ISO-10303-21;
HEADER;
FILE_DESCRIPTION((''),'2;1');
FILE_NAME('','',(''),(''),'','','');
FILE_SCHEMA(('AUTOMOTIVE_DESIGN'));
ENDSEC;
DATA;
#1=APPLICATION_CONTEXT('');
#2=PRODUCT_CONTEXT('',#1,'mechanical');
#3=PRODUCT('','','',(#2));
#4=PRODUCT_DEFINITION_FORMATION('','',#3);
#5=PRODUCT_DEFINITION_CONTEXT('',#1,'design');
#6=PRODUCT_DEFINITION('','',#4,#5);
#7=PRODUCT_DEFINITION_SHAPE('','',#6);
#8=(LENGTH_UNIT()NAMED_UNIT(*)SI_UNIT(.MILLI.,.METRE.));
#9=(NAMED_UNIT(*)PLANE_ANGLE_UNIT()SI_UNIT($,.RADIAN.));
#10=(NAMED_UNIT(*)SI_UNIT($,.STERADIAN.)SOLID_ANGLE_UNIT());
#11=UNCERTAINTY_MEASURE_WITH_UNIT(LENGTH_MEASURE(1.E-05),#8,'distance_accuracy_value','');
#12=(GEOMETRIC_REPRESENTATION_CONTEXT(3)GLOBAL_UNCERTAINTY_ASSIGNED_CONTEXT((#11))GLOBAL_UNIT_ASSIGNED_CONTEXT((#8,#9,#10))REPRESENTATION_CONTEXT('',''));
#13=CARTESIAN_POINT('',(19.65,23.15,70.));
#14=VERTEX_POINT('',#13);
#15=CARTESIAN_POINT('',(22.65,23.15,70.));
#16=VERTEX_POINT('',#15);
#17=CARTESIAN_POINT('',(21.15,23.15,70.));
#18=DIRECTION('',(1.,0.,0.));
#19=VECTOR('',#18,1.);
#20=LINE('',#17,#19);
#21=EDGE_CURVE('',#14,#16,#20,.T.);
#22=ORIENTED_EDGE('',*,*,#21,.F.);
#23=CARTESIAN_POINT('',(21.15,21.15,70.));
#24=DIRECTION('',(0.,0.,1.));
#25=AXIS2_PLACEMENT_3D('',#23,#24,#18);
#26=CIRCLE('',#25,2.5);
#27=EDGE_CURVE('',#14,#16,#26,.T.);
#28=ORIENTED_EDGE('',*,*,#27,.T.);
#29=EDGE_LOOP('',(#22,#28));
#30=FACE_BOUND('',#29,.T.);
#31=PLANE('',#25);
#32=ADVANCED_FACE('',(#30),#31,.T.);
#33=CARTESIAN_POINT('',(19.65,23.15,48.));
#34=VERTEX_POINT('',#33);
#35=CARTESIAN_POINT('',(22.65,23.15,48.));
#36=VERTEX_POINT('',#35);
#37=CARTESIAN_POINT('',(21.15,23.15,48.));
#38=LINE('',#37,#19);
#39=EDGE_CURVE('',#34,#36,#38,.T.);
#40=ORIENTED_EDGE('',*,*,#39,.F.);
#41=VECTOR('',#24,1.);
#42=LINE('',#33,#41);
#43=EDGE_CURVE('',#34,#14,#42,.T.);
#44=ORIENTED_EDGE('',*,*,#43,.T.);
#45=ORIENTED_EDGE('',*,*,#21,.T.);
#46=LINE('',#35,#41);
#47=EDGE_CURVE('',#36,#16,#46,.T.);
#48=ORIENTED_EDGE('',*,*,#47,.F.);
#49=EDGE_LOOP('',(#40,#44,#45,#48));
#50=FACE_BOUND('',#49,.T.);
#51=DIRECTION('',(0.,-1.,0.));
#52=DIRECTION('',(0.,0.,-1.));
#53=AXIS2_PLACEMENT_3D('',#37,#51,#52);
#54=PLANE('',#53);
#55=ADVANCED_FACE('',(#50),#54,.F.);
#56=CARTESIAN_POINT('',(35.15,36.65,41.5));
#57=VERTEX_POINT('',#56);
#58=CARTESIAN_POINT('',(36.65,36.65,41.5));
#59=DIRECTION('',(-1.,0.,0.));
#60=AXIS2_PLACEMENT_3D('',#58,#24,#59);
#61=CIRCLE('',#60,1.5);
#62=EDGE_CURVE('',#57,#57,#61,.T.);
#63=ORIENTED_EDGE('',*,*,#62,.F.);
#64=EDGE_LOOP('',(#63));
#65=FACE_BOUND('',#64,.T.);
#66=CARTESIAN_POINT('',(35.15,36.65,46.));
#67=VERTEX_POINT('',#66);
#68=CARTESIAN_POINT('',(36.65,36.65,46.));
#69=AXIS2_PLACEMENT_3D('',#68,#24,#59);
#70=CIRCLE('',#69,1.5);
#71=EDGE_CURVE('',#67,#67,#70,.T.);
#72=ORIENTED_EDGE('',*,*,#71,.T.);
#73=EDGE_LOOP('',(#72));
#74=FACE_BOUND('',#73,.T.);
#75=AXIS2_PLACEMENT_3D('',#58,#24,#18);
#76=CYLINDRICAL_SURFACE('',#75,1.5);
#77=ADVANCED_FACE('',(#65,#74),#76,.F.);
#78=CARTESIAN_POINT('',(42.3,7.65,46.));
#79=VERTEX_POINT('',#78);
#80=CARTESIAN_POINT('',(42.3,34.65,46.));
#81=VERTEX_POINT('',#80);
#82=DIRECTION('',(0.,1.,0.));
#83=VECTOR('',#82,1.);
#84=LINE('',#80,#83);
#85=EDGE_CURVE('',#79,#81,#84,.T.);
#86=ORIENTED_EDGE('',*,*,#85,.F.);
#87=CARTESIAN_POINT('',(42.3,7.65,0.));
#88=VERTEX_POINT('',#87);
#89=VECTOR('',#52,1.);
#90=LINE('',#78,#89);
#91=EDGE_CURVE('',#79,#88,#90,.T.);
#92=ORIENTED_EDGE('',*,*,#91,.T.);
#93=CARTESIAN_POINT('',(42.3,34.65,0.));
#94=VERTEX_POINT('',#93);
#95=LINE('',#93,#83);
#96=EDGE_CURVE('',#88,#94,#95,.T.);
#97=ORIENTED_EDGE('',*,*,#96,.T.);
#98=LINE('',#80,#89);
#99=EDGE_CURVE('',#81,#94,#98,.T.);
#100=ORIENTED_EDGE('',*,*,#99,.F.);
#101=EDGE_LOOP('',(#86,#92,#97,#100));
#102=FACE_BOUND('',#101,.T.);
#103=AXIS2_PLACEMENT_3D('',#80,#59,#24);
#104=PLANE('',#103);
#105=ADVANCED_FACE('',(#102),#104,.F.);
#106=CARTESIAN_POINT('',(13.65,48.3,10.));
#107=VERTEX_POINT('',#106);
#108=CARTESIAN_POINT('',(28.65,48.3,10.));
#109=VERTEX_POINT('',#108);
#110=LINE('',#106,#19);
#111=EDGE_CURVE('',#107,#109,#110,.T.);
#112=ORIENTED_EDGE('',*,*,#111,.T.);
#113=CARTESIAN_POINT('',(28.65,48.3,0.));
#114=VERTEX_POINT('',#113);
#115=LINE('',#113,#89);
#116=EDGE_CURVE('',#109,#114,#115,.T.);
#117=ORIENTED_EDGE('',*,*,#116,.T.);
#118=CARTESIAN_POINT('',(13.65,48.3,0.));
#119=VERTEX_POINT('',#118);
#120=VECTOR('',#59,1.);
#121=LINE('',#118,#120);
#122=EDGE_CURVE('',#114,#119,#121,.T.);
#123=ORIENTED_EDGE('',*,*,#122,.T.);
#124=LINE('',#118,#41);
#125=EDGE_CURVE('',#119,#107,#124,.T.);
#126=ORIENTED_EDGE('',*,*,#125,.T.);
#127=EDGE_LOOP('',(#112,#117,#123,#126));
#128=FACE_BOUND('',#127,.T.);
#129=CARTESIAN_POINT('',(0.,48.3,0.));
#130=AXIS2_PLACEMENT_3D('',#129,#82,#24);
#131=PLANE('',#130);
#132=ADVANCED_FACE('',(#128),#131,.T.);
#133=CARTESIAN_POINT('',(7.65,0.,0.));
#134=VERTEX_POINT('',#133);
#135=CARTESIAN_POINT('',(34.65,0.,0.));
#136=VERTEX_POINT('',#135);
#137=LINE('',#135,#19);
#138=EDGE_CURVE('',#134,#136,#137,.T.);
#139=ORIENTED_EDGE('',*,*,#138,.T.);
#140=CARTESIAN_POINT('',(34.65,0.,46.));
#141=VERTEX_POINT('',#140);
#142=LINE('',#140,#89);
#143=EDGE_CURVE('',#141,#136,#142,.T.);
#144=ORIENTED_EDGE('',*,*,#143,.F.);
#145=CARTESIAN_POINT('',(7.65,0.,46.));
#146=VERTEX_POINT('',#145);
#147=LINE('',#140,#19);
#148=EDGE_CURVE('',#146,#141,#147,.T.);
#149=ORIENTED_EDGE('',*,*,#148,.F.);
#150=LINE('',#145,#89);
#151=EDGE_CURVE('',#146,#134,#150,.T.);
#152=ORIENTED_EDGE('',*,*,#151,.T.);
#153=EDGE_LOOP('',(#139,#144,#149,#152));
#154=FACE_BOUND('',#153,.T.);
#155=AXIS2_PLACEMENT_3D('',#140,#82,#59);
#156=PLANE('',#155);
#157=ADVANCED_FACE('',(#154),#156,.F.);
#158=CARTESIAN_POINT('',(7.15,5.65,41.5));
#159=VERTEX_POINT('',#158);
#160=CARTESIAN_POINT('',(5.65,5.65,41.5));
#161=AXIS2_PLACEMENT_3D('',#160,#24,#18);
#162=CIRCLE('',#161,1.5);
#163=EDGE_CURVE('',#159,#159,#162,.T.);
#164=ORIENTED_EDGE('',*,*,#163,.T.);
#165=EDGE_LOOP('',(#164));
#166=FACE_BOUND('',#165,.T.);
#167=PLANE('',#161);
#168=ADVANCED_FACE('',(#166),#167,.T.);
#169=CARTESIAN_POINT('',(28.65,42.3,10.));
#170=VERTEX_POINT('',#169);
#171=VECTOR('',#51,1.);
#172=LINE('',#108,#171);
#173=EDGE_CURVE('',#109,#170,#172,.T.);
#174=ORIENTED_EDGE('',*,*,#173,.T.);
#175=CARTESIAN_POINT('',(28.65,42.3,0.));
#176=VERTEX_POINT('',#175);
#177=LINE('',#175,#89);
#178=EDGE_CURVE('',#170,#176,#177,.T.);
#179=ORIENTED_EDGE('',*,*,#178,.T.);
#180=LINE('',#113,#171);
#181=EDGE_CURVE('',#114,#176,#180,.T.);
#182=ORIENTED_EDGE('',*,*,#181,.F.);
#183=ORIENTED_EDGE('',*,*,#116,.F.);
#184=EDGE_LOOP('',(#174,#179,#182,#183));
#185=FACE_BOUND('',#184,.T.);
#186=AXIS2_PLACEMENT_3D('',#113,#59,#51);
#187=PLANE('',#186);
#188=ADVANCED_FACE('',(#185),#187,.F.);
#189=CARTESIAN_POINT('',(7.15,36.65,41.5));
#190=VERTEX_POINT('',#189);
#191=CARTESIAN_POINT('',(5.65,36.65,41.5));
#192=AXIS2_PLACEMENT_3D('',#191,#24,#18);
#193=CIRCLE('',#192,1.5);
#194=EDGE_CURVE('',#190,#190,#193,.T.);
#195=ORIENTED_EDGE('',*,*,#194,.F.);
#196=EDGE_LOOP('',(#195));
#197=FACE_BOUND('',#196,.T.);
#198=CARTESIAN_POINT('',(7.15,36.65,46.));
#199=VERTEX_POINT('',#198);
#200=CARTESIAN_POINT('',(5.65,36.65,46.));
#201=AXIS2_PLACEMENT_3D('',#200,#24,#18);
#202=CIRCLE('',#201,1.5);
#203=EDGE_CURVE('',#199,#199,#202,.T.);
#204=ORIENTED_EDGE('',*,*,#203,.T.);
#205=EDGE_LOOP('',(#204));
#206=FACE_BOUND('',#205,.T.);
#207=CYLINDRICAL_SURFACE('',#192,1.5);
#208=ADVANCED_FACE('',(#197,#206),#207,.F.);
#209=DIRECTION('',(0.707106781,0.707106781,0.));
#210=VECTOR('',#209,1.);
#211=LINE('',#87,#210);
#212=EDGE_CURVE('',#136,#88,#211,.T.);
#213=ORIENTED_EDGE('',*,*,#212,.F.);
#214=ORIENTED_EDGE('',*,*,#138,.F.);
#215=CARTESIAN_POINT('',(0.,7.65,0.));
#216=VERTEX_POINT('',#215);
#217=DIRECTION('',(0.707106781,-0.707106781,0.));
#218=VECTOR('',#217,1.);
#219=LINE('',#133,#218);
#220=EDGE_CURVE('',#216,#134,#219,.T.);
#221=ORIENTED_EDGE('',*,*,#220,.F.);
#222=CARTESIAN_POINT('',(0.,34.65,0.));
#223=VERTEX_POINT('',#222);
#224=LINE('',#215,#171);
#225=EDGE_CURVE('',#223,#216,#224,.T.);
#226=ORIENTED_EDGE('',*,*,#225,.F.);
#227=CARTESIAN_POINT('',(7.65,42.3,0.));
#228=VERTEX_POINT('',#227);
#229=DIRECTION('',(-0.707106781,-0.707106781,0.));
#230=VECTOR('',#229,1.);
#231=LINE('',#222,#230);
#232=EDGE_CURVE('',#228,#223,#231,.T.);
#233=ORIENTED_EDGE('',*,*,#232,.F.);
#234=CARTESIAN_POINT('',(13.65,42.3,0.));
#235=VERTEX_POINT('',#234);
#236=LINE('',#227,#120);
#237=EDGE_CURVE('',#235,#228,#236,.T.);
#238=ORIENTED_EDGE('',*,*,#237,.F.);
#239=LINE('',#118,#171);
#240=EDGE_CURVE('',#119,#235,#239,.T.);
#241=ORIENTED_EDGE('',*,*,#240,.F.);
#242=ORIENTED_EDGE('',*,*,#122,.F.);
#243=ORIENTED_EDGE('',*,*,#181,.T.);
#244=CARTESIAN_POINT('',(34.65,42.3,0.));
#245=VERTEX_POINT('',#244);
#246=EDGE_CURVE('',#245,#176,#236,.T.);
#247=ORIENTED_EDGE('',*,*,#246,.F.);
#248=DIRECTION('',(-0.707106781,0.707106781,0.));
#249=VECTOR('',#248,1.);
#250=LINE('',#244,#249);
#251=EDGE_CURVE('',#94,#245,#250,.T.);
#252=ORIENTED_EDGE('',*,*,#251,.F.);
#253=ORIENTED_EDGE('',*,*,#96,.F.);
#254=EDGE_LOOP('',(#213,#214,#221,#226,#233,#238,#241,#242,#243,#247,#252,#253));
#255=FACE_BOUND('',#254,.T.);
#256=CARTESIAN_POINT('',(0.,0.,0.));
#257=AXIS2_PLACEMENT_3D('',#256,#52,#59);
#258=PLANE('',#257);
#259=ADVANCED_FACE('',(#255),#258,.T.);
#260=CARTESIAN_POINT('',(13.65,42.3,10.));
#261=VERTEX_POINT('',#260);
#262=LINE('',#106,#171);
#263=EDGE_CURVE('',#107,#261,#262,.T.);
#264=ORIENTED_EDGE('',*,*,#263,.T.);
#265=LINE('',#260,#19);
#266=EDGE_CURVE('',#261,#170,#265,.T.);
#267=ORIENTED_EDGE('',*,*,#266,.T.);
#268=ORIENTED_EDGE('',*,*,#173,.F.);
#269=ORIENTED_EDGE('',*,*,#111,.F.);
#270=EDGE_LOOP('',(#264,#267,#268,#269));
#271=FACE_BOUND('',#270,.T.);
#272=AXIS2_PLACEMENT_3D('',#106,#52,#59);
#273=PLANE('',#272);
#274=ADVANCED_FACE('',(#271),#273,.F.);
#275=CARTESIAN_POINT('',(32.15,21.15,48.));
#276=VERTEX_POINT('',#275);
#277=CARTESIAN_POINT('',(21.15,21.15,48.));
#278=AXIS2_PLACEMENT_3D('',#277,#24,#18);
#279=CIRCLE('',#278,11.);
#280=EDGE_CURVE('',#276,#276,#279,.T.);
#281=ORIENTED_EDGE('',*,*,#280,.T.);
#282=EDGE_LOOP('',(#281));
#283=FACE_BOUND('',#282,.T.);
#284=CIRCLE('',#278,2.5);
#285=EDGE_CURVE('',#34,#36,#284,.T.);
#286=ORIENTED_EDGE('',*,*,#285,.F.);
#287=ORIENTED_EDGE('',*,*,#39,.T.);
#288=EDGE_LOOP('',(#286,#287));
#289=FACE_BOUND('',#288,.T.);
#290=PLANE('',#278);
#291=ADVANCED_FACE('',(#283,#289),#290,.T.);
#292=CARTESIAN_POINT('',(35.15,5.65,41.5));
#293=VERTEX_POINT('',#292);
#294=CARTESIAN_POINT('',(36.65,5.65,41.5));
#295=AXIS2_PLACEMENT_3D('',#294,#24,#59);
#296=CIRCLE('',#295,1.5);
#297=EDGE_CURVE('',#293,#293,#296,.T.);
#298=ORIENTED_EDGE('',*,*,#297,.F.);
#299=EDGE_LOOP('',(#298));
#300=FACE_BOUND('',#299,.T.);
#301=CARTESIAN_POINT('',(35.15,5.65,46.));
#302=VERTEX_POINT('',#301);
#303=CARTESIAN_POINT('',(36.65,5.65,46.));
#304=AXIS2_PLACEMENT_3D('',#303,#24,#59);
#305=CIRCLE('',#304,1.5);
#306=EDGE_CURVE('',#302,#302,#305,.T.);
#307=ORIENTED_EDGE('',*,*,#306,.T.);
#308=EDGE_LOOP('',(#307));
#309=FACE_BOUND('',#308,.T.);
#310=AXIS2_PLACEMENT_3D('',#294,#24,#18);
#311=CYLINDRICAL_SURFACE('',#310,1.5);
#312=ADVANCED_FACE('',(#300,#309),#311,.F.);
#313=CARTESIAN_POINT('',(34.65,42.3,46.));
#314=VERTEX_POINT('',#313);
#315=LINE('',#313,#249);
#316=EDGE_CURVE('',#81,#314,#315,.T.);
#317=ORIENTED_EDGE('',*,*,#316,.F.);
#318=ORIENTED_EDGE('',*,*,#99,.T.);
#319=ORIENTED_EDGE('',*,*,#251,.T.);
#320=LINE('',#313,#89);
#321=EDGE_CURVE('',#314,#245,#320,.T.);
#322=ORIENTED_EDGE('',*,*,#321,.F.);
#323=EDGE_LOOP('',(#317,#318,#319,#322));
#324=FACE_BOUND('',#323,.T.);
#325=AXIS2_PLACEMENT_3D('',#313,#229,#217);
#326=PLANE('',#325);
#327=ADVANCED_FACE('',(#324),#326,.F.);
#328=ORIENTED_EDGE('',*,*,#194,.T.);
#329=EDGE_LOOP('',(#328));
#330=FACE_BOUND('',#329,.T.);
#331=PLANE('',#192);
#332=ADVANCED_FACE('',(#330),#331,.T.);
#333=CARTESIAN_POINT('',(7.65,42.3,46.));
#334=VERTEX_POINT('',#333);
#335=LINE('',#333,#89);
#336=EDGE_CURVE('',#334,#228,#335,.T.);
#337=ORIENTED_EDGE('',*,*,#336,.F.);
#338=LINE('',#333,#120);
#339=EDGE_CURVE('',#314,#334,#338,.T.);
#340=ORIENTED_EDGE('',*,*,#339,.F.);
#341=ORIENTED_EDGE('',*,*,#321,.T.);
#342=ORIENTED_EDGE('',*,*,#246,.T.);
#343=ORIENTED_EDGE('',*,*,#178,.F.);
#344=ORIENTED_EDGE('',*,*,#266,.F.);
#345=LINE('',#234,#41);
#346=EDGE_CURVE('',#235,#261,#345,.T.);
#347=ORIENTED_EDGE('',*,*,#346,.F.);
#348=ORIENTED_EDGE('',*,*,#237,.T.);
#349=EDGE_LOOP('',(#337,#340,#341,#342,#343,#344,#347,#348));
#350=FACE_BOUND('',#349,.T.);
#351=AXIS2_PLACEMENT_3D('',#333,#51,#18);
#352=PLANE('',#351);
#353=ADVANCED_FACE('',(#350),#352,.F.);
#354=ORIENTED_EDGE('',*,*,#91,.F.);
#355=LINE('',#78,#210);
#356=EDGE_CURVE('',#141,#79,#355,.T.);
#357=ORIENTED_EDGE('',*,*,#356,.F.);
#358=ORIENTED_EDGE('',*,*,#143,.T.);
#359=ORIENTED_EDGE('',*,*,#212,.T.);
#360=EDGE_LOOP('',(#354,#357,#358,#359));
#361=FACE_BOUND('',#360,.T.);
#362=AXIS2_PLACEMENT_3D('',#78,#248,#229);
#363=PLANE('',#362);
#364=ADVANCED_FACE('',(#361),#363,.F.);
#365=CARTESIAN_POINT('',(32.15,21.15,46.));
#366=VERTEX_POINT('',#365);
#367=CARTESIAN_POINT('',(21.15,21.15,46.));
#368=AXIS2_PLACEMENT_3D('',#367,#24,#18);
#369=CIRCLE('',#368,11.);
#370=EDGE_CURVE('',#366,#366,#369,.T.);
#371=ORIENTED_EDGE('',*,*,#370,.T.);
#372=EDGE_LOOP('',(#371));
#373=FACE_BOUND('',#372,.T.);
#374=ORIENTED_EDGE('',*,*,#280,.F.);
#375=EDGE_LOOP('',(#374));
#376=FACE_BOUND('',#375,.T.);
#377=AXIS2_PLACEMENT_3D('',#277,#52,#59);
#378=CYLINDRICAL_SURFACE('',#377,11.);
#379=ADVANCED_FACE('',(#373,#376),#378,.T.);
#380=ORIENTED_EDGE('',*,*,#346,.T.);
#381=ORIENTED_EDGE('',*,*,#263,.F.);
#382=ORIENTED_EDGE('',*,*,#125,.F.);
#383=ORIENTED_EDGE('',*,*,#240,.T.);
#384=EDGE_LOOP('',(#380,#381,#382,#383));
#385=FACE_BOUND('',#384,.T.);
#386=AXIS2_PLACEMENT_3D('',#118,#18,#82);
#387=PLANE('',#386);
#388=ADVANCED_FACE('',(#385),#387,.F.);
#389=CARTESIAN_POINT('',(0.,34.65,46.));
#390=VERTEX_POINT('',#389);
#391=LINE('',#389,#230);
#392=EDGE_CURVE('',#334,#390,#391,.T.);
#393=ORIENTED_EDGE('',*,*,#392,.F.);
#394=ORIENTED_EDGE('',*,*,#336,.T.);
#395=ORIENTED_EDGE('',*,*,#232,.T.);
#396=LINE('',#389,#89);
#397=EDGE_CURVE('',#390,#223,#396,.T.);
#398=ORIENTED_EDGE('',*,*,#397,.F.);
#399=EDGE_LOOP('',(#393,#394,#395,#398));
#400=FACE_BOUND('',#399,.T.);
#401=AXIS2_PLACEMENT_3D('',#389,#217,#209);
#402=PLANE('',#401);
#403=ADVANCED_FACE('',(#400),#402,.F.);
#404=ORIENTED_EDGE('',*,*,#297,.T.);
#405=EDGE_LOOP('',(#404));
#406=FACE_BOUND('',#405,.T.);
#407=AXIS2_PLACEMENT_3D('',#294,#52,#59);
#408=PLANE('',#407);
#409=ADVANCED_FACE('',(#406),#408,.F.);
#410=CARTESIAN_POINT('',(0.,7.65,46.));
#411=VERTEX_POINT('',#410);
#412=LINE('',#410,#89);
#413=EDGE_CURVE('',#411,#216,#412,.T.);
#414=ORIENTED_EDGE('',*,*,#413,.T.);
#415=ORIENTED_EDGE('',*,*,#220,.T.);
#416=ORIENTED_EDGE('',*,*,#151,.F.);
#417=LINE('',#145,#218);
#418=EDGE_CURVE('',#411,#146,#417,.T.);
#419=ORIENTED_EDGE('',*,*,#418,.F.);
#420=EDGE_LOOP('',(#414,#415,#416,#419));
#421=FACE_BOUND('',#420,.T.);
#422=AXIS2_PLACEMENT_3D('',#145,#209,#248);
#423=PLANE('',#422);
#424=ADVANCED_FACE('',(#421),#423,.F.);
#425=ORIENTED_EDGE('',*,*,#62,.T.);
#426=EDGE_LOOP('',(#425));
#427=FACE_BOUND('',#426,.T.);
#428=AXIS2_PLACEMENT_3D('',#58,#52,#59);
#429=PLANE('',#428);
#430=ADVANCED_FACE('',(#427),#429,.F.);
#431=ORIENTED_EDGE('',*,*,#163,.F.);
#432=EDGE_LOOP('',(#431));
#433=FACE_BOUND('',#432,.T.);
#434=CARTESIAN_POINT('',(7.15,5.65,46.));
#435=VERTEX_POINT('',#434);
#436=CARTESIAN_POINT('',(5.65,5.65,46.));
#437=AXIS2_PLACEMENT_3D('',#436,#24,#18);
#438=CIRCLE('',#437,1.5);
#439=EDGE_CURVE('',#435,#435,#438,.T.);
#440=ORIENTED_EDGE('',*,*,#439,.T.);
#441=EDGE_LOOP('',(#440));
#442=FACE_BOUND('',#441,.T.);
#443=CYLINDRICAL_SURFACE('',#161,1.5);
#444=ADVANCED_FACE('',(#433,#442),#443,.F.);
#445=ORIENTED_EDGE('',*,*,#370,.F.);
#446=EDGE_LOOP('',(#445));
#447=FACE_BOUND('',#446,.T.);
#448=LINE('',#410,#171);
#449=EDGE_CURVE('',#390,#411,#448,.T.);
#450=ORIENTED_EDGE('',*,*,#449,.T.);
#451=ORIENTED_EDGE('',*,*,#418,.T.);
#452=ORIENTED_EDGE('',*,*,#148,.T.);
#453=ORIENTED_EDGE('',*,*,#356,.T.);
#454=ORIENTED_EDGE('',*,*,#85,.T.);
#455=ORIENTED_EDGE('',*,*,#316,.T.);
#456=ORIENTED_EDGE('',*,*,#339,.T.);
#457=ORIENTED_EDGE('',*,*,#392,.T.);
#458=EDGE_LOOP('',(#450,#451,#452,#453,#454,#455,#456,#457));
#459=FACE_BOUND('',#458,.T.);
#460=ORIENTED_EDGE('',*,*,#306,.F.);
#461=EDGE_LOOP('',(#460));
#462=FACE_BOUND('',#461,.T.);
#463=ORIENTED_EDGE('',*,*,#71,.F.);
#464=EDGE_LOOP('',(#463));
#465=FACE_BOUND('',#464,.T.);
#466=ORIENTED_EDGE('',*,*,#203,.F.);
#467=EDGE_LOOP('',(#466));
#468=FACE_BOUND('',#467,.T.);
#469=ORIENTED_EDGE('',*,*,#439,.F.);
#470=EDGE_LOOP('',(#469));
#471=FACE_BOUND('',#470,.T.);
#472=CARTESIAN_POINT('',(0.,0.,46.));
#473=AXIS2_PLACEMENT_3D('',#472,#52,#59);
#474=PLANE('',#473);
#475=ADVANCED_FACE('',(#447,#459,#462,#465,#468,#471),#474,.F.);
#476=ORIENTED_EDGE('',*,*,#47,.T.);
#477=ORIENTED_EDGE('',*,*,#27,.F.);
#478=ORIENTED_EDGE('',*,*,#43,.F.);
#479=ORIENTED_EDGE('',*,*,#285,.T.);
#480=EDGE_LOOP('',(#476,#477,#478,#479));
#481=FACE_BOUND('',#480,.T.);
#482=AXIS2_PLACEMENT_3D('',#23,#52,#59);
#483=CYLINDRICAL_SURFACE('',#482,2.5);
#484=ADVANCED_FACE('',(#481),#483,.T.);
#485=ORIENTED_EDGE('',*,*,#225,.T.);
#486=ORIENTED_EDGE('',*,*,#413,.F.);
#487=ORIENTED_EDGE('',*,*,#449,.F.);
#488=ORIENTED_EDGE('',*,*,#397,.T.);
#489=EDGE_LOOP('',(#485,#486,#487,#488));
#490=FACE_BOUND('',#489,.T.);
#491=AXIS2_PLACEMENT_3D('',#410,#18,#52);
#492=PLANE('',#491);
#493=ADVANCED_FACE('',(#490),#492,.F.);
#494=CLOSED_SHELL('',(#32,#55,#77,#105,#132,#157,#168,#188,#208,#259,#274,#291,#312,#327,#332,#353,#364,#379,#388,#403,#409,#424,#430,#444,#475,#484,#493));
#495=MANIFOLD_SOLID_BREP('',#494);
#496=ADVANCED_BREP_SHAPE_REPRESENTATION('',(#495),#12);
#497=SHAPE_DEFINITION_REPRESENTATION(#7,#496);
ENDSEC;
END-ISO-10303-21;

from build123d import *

# Parameters (mm, degrees)
BOSS_EXTRUDE1_DEPTH = 46
SKETCH3_R           = 11
BOSS_EXTRUDE2_DEPTH = 2
SKETCH4_R           = 2.5
BOSS_EXTRUDE3_DEPTH = 22
CUT_EXTRUDE1_START  = -22
CUT_EXTRUDE1_DEPTH  = 22
SKETCH6_R           = 1.5
CUT_EXTRUDE2_DEPTH  = 4.5
SKETCH7_W           = 15
SKETCH7_H           = 10
BOSS_EXTRUDE4_DEPTH = 6


with BuildPart() as part:
    # Sketch1 → Boss-Extrude1 (new body)
    with BuildSketch(Plane.XY):
        Polygon((7.65, 0), (0, 7.65), (0, 34.65), (7.65, 42.3), (34.65, 42.3), (42.3, 34.65), (42.3, 7.65), (34.65, 0), align=None)
    extrude(amount=BOSS_EXTRUDE1_DEPTH)

    # Sketch3 → Boss-Extrude2 (add)
    with BuildSketch(Plane.XY.offset(46)):
        with Locations((21.15, 21.15)):
            Circle(SKETCH3_R)
    extrude(amount=BOSS_EXTRUDE2_DEPTH)

    # Sketch4 → Boss-Extrude3 (add)
    with BuildSketch(Plane.XY.offset(48)):
        with Locations((21.15, 21.15)):
            Circle(SKETCH4_R)
    extrude(amount=BOSS_EXTRUDE3_DEPTH)

    # Sketch5 → Cut-Extrude1 (cut)
    with BuildSketch(Plane.XY.offset(70).offset(CUT_EXTRUDE1_START)):
        with BuildLine():
            Line((21.15, 23.15), (22.65, 23.15))
            ThreePointArc((22.65, 23.15), (21.15, 23.65), (19.65, 23.15))
            Line((19.65, 23.15), (21.15, 23.15))
        make_face()
    extrude(amount=CUT_EXTRUDE1_DEPTH, mode=Mode.SUBTRACT)

    # Sketch6 → Cut-Extrude2 (cut)
    with BuildSketch(Plane.XY.offset(46)):
        with Locations((5.65, 5.65)):
            Circle(SKETCH6_R)
        with Locations((5.65, 36.65)):
            Circle(SKETCH6_R)
        with Locations(Location((36.65, 5.65, 0), (0, 0, 180))):
            Circle(SKETCH6_R)
        with Locations(Location((36.65, 36.65, 0), (0, 0, 180))):
            Circle(SKETCH6_R)
    extrude(amount=-CUT_EXTRUDE2_DEPTH, mode=Mode.SUBTRACT)

    # Sketch7 → Boss-Extrude4 (add)
    with BuildSketch(Plane(origin=(0, 42.3, 0), x_dir=(1, 0, 0), z_dir=(0, 1, 0))):
        with Locations((21.15, -5)):
            Rectangle(SKETCH7_W, SKETCH7_H)
    extrude(amount=BOSS_EXTRUDE4_DEPTH)


solid = part.part
